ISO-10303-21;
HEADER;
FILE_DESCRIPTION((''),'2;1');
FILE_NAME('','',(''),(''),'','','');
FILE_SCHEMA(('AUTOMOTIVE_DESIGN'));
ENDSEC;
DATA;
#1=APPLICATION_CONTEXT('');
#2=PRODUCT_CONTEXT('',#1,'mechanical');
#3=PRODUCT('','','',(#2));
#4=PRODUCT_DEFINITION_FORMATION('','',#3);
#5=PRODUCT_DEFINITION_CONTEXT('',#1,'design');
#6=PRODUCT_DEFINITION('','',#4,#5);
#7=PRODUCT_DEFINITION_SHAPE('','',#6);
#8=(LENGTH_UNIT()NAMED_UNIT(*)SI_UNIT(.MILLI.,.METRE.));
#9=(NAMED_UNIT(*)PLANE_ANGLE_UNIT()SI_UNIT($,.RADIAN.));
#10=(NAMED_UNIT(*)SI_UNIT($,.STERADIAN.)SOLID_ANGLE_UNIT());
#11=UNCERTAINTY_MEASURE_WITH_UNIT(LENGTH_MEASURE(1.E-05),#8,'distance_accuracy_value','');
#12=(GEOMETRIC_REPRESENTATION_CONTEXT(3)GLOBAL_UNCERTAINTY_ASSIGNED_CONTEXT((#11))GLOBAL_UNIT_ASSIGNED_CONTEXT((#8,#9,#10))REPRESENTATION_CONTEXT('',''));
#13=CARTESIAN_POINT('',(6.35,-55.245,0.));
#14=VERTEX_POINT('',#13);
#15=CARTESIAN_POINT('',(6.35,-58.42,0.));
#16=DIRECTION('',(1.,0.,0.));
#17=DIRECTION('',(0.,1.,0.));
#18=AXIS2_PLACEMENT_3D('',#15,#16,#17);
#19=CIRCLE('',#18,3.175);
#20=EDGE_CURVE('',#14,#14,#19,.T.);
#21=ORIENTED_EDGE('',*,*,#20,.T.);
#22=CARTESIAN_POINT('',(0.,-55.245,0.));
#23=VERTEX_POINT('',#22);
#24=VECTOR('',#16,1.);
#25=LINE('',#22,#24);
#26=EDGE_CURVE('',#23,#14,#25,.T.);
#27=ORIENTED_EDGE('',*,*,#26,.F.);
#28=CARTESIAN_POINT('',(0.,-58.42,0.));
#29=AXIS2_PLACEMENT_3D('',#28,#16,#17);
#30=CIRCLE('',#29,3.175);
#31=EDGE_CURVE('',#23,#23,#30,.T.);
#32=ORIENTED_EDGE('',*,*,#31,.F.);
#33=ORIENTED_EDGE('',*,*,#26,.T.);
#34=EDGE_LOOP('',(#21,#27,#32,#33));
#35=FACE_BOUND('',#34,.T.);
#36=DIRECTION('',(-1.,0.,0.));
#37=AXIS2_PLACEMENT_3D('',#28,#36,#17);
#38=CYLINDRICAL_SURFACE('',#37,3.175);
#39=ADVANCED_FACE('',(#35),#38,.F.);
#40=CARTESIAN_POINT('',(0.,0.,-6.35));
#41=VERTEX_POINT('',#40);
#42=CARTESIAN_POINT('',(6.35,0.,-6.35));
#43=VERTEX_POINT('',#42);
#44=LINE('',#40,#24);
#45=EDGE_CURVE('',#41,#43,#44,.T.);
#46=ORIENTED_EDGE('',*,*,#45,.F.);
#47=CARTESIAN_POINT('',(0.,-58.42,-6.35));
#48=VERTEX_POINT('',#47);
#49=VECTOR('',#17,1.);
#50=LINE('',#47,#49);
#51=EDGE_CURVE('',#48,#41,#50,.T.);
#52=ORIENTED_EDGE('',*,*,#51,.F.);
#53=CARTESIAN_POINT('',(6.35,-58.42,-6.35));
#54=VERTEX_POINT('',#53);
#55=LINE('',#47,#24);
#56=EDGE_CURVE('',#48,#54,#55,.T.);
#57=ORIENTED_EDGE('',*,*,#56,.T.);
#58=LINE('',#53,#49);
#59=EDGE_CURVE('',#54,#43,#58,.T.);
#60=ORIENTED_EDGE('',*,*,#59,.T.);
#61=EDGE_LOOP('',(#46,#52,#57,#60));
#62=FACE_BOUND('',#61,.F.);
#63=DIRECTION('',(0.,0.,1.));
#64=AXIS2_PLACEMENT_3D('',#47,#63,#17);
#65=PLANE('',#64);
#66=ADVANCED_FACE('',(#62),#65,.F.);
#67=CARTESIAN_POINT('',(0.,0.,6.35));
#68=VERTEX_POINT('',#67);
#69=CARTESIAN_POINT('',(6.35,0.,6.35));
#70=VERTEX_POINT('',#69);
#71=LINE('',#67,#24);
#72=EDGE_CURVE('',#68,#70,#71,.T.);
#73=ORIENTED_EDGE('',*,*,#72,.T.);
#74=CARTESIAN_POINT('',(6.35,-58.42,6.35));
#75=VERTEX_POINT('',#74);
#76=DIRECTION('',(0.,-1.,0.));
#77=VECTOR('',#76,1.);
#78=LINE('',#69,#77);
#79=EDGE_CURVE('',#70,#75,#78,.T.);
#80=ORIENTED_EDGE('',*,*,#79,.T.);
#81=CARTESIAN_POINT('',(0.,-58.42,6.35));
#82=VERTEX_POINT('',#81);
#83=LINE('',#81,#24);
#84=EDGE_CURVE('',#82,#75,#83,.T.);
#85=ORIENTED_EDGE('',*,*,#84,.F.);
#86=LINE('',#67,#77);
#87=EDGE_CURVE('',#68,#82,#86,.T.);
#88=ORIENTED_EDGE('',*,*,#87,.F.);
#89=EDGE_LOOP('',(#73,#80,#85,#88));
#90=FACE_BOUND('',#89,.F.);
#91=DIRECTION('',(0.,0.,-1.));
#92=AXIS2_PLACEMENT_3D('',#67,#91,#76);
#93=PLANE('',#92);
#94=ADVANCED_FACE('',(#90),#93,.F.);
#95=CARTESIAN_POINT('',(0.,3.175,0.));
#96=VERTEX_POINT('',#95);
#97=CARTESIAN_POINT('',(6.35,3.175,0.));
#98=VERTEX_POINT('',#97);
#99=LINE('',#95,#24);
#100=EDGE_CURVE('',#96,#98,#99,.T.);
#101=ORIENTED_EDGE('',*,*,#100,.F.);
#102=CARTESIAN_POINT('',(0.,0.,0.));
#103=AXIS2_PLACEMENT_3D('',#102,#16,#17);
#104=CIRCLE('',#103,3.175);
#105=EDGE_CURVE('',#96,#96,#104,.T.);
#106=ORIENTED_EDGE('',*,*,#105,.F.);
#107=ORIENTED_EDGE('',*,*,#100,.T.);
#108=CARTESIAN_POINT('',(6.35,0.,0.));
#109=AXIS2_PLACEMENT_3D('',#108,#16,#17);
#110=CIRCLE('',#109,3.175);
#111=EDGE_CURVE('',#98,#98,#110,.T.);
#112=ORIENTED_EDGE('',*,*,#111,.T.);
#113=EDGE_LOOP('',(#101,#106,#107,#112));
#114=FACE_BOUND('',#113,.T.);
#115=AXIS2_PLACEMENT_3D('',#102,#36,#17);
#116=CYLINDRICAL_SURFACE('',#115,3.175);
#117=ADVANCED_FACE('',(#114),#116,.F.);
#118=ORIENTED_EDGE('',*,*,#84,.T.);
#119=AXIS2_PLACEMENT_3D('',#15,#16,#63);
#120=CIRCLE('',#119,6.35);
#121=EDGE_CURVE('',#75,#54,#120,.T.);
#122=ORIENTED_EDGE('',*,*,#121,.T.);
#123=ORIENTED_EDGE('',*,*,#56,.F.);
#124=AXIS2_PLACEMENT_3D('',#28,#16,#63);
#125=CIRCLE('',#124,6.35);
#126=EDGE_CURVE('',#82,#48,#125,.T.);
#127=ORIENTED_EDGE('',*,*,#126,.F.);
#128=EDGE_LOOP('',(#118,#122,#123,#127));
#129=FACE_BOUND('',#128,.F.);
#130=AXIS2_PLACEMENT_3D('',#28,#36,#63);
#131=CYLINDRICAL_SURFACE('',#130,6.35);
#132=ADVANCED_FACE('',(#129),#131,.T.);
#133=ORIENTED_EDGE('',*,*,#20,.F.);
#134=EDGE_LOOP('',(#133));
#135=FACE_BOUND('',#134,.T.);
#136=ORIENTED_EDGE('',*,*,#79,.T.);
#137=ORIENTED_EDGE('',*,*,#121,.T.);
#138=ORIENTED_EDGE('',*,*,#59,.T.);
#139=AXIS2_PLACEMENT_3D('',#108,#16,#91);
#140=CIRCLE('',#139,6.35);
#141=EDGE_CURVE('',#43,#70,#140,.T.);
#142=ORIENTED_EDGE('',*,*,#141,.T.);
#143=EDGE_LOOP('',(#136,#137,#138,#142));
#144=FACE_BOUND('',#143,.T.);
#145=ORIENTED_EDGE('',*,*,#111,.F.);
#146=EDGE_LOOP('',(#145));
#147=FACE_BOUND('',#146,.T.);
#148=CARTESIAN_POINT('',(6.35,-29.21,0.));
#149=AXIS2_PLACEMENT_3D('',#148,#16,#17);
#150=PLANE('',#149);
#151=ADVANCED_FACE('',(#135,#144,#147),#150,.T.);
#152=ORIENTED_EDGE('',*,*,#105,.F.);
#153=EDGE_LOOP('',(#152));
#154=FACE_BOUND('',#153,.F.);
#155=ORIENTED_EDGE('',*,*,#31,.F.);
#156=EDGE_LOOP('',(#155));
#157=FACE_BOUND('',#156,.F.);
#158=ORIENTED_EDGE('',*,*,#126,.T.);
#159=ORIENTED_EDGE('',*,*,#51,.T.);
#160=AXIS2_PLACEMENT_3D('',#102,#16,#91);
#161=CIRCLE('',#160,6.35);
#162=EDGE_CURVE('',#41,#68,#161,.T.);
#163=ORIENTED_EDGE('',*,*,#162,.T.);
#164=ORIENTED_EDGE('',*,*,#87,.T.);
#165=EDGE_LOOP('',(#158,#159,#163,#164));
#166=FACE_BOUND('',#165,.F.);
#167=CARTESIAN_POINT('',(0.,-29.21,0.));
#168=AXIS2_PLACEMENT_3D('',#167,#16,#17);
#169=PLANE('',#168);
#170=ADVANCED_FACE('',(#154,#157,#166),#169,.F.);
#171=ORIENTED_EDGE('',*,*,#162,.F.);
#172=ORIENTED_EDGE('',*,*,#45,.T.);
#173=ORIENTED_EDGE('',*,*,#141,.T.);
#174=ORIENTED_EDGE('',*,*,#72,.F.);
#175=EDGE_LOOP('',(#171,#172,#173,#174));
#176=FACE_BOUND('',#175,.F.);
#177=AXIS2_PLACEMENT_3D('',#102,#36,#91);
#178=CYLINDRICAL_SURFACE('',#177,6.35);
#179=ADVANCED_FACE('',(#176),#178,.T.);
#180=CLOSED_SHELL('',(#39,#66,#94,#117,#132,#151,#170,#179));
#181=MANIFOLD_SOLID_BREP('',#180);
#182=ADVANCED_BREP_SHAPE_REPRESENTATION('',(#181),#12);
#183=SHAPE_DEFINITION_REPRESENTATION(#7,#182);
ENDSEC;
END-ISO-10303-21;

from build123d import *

# Parameters (mm, degrees)
F0_R     = 3.175
F1_DEPTH = 6.35


with BuildPart() as f1:
    # F0 (on Right) → F1 (new body)
    with BuildSketch(Plane.YZ):
        with BuildLine():
            ThreePointArc((0, -6.35), (6.35, 0), (0, 6.35))
            Line((0, 6.35), (-58.42, 6.35))
            ThreePointArc((-58.42, 6.35), (-64.77, 0), (-58.42, -6.35))
            Line((-58.42, -6.35), (0, -6.35))
        make_face()
        with Locations((-58.42, 0)):
            Circle(F0_R, mode=Mode.SUBTRACT)
        Circle(F0_R, mode=Mode.SUBTRACT)
    extrude(amount=F1_DEPTH)


solid = f1.part
